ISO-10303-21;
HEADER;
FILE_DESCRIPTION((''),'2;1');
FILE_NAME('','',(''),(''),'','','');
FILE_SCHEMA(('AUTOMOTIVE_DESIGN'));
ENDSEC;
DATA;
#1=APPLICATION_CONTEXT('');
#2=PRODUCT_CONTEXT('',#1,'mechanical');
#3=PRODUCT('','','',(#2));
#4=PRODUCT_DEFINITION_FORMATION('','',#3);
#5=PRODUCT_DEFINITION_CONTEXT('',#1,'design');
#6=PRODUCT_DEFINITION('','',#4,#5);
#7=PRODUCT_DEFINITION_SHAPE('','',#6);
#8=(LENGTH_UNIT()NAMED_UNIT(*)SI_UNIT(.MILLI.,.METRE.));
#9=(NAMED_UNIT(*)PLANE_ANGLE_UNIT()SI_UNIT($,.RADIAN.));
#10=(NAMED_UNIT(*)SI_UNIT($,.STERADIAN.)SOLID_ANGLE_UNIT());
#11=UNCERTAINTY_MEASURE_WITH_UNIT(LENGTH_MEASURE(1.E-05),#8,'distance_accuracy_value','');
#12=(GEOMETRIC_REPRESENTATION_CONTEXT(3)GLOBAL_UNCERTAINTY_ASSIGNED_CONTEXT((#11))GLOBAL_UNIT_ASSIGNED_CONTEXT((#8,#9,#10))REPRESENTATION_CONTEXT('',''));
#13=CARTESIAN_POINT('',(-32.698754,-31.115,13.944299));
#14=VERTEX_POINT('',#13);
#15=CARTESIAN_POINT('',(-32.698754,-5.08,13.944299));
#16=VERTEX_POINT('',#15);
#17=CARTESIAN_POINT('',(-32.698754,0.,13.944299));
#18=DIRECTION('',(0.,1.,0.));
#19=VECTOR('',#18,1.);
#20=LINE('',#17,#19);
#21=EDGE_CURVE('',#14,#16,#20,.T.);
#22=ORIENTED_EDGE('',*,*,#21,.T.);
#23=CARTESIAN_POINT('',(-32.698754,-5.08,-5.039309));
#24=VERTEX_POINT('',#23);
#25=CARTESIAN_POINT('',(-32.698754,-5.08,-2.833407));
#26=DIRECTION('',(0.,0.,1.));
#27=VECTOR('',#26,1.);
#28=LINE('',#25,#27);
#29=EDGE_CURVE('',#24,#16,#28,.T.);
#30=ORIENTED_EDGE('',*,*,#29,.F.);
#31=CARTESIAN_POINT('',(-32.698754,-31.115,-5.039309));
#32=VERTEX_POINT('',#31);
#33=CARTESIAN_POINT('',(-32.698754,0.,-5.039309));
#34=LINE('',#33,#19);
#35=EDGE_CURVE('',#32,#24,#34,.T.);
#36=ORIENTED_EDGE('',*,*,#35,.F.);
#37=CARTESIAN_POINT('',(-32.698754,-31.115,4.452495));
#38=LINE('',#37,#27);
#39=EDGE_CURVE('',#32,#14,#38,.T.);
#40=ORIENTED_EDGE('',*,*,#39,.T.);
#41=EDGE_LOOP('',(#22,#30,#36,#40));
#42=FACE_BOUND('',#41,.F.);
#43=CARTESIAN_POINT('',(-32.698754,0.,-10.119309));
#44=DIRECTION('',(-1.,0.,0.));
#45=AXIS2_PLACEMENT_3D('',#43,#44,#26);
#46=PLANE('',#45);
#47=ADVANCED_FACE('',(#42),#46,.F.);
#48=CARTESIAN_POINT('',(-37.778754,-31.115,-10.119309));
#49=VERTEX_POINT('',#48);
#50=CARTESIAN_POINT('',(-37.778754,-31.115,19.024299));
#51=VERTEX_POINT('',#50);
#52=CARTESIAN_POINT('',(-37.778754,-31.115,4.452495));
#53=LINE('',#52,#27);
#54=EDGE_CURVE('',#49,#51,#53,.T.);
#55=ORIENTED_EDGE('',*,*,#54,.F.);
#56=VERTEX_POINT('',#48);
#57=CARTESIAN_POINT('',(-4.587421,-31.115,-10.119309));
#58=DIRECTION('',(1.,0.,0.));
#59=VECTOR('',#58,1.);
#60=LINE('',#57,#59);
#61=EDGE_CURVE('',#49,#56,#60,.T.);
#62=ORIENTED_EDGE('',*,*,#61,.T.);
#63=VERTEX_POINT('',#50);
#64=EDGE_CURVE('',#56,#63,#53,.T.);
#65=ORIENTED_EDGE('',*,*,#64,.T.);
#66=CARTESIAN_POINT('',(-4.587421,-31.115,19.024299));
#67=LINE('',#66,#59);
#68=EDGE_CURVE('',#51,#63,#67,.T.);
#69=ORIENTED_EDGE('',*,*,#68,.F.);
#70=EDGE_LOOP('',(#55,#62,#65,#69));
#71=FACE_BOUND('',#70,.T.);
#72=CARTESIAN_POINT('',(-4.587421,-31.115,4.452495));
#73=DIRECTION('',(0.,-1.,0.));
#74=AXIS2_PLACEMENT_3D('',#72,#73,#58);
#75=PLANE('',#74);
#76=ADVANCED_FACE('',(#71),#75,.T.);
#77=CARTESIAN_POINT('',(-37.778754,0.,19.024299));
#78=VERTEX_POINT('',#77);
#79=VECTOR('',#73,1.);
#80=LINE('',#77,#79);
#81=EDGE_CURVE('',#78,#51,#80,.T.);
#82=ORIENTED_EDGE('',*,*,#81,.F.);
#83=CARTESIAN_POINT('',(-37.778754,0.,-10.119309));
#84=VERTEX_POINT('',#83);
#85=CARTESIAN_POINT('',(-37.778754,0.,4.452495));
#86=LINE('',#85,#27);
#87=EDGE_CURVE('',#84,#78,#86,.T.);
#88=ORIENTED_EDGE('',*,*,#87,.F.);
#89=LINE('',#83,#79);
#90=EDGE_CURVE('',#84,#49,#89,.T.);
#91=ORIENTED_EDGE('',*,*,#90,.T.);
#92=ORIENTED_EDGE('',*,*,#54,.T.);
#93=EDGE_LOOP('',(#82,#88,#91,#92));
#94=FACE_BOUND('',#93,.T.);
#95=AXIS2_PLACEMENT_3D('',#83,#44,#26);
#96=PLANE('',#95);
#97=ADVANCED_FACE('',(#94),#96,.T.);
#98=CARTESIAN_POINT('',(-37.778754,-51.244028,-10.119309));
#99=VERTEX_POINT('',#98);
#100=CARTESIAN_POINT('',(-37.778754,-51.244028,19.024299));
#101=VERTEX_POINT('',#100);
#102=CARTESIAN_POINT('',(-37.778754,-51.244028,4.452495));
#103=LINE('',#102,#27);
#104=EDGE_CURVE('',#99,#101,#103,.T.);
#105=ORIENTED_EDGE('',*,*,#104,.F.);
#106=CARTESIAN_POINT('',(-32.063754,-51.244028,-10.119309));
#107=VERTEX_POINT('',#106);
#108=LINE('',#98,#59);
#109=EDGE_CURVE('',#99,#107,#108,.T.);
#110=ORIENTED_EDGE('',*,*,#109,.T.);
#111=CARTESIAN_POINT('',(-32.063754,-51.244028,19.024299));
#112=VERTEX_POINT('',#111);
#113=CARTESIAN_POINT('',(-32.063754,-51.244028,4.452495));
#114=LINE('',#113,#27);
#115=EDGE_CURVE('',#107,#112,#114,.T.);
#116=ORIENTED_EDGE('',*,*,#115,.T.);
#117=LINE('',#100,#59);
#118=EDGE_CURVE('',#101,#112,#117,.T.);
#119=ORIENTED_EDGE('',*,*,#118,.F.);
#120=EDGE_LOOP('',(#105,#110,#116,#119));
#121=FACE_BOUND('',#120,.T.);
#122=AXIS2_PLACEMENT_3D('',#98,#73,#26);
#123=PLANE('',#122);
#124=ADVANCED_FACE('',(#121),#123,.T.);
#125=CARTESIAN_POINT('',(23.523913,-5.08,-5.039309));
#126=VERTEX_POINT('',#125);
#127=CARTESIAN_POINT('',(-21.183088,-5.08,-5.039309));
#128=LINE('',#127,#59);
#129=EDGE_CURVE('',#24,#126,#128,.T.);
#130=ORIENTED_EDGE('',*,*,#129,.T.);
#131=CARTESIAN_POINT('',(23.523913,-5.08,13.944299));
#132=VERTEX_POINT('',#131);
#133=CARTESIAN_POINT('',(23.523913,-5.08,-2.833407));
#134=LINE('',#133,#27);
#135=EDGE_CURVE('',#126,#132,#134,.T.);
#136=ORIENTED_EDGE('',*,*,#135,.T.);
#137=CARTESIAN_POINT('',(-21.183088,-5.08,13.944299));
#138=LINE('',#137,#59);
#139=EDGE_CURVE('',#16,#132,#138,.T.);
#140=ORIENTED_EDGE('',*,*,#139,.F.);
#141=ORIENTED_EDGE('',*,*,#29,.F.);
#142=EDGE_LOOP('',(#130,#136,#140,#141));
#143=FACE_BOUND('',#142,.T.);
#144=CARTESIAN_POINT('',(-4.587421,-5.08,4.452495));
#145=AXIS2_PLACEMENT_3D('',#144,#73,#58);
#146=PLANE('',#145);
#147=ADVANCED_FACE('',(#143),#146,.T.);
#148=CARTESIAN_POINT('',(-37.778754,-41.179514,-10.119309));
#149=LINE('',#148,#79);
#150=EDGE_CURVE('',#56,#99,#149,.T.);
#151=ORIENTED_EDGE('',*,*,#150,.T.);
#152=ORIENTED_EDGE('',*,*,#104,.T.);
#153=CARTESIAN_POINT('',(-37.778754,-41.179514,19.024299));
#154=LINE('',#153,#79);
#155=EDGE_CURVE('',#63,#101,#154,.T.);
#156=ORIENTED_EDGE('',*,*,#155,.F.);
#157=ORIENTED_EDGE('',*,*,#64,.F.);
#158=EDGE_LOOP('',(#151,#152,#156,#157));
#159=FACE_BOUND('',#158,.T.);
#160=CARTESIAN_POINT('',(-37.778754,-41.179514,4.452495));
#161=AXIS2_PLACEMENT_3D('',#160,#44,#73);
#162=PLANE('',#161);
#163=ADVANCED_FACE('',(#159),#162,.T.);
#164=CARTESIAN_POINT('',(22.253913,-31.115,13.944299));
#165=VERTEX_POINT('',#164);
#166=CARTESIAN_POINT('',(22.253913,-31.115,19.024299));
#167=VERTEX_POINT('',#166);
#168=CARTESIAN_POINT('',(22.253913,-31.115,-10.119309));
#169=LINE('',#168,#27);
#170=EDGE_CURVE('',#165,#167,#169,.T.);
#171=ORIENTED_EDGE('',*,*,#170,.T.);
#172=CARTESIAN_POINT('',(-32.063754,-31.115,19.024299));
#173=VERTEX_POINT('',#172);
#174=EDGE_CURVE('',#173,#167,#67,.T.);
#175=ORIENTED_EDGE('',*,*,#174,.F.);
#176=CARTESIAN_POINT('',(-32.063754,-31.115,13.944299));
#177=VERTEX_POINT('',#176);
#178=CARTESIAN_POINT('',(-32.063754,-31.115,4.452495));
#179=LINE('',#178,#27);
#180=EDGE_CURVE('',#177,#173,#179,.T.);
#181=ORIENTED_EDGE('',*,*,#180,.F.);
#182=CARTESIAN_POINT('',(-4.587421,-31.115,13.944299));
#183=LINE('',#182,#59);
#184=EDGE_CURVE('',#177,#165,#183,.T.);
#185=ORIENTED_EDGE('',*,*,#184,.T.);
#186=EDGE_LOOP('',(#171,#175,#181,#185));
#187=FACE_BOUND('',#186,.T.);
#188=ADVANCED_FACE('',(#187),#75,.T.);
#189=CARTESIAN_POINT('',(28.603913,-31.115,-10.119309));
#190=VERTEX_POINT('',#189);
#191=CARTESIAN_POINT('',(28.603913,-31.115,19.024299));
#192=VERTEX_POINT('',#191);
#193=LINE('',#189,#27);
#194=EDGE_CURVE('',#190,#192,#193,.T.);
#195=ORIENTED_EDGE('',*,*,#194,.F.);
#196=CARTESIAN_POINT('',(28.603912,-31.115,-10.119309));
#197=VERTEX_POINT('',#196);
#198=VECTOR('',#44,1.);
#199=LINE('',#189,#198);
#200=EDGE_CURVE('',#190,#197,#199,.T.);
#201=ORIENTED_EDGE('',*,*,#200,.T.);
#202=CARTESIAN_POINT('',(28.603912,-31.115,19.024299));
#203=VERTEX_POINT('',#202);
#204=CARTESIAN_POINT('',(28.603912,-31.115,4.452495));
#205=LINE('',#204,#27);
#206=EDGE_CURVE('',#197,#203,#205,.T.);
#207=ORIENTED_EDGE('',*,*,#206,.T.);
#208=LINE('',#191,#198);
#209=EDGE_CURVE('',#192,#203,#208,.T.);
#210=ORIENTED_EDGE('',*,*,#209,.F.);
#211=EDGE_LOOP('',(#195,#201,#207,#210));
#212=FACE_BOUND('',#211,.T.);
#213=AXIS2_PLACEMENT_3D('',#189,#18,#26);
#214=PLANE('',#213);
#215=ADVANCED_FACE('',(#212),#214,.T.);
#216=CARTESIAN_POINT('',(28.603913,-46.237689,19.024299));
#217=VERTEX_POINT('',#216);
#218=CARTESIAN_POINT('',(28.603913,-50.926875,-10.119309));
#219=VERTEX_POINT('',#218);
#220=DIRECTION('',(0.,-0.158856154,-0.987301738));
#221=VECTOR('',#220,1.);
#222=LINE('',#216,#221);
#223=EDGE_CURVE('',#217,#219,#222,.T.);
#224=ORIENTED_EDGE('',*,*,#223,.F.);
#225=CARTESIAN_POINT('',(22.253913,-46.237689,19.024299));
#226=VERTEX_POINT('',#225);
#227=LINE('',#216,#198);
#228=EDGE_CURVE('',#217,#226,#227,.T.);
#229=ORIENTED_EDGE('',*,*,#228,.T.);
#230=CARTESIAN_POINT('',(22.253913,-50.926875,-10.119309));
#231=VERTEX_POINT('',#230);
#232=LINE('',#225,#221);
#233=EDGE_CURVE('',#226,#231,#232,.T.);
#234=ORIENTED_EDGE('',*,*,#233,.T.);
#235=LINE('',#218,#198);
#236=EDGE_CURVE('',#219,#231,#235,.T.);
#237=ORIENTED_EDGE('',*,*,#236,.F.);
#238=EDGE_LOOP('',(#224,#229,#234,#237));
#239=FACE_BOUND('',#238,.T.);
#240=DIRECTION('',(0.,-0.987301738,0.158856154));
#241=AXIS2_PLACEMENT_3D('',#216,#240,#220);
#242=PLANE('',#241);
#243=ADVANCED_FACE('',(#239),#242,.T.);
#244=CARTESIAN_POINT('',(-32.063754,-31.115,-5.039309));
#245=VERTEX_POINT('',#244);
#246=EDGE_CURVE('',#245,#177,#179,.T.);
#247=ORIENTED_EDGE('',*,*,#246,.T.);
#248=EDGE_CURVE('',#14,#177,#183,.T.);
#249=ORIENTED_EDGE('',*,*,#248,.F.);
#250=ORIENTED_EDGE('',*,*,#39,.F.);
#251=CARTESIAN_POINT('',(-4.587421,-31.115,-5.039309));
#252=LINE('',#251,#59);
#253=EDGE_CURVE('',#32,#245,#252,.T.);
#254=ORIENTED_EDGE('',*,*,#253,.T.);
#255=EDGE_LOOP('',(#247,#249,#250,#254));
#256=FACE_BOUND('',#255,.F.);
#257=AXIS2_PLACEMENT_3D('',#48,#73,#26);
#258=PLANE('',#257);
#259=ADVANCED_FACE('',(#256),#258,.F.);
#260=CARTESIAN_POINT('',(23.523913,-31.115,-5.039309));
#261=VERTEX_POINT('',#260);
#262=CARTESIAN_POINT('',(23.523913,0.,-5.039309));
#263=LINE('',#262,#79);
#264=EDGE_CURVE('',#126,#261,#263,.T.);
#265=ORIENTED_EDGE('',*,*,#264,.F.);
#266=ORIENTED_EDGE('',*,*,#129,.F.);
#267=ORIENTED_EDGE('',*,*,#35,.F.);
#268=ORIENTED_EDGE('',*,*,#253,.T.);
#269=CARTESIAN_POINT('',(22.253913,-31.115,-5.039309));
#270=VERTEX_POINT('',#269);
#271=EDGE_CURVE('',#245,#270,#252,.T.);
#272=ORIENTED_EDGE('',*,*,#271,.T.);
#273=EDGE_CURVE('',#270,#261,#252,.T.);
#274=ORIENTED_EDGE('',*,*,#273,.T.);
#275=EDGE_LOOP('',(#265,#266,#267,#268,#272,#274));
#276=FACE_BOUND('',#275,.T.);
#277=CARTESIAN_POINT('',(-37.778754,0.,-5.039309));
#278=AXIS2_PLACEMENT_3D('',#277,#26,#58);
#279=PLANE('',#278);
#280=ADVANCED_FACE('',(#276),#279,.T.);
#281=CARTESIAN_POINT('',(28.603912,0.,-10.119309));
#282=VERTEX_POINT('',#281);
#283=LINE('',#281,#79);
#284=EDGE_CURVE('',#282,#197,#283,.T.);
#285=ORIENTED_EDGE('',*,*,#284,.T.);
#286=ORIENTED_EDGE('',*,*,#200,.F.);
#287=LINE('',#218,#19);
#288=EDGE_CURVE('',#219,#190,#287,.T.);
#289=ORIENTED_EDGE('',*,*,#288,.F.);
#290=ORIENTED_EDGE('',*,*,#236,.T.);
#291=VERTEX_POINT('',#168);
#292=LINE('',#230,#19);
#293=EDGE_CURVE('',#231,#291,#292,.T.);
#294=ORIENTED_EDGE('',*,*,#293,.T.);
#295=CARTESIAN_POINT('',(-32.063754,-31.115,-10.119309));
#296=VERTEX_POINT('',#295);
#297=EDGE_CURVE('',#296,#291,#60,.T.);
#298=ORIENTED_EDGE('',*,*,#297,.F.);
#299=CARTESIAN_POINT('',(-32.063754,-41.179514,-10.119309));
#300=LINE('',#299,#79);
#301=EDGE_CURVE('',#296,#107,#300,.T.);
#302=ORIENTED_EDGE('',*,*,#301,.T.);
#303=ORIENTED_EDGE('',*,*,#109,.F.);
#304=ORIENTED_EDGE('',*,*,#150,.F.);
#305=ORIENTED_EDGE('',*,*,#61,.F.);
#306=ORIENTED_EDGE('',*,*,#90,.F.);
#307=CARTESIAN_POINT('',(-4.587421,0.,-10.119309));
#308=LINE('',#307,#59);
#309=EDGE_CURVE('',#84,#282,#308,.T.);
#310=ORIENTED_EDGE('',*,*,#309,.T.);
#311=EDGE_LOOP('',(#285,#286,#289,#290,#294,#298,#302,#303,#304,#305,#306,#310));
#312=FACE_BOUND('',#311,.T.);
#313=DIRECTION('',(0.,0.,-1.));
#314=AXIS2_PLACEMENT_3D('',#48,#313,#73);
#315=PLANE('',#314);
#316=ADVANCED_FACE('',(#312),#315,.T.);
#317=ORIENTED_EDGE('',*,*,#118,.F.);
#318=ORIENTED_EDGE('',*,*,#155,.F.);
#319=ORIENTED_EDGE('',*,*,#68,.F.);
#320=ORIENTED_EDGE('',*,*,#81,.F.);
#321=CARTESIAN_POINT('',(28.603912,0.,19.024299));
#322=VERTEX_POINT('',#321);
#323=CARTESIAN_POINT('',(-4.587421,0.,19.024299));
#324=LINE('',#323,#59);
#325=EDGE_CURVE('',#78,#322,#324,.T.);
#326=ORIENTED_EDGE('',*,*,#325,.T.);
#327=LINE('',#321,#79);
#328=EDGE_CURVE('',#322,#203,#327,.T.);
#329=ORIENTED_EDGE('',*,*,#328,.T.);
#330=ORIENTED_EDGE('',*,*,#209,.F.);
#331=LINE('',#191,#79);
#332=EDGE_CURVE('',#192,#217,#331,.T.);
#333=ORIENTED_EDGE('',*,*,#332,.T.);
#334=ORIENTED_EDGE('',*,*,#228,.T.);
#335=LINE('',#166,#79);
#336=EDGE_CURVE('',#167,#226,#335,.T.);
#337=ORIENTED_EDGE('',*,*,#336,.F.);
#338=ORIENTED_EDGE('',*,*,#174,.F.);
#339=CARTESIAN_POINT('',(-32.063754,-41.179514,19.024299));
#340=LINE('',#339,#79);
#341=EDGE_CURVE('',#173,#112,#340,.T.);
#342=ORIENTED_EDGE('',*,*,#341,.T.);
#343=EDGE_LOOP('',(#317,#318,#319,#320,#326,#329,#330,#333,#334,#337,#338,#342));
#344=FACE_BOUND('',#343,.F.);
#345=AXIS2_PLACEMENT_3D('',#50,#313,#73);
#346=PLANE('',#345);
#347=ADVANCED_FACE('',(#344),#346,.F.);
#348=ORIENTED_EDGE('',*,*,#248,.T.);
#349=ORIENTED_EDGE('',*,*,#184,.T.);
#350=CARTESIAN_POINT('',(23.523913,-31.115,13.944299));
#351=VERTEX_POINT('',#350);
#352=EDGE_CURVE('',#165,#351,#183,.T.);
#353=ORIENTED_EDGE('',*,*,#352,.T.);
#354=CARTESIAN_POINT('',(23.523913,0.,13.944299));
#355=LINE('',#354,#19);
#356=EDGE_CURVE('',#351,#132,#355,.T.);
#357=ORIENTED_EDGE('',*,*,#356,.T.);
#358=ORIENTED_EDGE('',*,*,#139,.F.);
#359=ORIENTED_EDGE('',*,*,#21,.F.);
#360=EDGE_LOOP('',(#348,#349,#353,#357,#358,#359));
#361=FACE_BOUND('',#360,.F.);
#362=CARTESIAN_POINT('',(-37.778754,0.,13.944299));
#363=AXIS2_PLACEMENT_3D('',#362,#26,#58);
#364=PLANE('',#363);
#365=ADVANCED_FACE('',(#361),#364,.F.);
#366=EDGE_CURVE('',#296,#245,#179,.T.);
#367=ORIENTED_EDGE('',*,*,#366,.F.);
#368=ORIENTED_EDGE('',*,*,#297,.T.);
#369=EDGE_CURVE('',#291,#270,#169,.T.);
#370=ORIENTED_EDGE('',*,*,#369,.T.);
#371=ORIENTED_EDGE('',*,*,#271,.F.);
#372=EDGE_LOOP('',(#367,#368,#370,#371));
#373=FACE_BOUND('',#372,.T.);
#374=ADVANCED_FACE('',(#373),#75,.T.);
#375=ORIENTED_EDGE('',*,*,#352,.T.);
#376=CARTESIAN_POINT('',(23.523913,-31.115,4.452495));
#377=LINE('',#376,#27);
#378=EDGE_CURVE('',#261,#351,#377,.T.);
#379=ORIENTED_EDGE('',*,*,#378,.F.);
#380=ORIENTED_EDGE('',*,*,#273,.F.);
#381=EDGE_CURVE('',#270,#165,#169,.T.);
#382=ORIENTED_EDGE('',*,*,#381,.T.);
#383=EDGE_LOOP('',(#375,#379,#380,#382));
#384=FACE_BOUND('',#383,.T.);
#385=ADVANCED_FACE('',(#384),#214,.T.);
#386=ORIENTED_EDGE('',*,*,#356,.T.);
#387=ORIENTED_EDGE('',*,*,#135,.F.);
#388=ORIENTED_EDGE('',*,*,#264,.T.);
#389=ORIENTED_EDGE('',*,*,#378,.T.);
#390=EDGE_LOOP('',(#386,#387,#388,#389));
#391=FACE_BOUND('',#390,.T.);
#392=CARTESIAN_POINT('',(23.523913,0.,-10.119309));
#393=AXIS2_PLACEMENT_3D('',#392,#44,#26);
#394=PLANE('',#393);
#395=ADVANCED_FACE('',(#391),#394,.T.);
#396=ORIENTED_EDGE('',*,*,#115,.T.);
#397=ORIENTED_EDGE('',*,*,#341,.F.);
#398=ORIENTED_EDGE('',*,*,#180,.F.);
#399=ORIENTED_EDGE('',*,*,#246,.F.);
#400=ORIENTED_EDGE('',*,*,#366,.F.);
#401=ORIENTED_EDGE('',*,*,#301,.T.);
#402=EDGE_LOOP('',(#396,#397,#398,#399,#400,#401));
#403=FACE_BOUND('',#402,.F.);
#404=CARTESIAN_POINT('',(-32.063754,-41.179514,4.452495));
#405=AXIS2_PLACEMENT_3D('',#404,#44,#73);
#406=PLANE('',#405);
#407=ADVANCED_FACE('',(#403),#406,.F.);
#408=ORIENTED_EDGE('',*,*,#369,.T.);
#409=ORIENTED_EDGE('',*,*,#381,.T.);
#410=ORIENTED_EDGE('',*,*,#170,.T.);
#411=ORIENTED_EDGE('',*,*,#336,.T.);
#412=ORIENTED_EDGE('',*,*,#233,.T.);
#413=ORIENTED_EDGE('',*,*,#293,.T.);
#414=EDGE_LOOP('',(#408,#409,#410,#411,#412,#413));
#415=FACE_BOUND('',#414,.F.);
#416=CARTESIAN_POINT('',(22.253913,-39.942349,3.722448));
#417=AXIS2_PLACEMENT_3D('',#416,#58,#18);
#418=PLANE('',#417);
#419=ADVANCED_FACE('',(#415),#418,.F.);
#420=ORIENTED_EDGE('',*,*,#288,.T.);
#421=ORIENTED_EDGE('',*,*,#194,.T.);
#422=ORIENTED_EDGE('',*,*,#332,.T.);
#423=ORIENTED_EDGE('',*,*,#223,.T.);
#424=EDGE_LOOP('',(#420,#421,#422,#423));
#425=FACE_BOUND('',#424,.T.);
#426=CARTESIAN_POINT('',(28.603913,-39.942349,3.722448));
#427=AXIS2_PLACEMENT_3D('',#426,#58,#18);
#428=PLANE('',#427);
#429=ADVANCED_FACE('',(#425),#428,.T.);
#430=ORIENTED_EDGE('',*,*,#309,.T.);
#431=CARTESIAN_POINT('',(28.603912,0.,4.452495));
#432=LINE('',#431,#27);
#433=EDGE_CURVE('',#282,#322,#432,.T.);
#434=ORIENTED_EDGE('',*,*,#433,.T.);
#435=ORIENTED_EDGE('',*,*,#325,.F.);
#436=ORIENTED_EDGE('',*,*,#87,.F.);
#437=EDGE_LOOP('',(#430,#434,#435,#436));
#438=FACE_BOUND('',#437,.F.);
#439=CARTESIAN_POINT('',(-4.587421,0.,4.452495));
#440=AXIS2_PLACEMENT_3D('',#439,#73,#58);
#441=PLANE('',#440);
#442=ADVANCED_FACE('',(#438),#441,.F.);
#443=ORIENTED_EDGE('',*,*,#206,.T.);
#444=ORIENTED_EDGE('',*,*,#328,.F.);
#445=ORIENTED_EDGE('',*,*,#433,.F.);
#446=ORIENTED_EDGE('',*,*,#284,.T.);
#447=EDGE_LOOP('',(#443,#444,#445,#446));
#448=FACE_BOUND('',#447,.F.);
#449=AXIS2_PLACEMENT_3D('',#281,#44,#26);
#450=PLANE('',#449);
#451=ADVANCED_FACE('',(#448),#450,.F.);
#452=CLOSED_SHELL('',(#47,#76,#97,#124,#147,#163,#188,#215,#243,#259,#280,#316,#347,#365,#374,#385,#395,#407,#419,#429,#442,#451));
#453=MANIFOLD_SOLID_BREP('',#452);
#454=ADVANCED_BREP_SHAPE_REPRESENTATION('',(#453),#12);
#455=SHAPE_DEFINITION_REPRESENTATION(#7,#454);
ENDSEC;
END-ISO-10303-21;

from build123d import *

# Parameters (mm, degrees)
F0_W     = 66.382667
F0_H     = 29.143608
F1_DEPTH = 31.115
F2_T     = -5.08
F4_DEPTH = 6.35
F5_W     = 20.129028
F5_H     = 29.143608
F6_DEPTH = 5.715


with BuildPart() as f1:
    # F0 (on Front) → F1 (new body)
    with BuildSketch(Plane.XZ):
        with Locations((-4.587421, 4.452495)):
            Rectangle(F0_W, F0_H)
    extrude(amount=F1_DEPTH)

    # F2
    f2_openings = [f1.faces().sort_by_distance(p)[0] for p in [
        (-4.58742, -31.115, 4.452495),
    ]]
    offset(amount=F2_T, openings=f2_openings)

    # F3 (on face) → F4 (join)
    with BuildSketch(Plane.YZ.offset(28.603913)):
        Polygon((-50.926875, -10.119309), (-31.115, -10.119309), (-31.115, 19.024299), (-46.237689, 19.024299), align=None)
    extrude(amount=-F4_DEPTH)

    # F5 (on face) → F6 (join)
    with BuildSketch(Plane(origin=(-37.778754, 0, 0), x_dir=(0, -1, 0), z_dir=(-1, 0, 0))):
        with Locations((41.179514, 4.452495)):
            Rectangle(F5_W, F5_H)
    extrude(amount=-F6_DEPTH)


solid = f1.part
